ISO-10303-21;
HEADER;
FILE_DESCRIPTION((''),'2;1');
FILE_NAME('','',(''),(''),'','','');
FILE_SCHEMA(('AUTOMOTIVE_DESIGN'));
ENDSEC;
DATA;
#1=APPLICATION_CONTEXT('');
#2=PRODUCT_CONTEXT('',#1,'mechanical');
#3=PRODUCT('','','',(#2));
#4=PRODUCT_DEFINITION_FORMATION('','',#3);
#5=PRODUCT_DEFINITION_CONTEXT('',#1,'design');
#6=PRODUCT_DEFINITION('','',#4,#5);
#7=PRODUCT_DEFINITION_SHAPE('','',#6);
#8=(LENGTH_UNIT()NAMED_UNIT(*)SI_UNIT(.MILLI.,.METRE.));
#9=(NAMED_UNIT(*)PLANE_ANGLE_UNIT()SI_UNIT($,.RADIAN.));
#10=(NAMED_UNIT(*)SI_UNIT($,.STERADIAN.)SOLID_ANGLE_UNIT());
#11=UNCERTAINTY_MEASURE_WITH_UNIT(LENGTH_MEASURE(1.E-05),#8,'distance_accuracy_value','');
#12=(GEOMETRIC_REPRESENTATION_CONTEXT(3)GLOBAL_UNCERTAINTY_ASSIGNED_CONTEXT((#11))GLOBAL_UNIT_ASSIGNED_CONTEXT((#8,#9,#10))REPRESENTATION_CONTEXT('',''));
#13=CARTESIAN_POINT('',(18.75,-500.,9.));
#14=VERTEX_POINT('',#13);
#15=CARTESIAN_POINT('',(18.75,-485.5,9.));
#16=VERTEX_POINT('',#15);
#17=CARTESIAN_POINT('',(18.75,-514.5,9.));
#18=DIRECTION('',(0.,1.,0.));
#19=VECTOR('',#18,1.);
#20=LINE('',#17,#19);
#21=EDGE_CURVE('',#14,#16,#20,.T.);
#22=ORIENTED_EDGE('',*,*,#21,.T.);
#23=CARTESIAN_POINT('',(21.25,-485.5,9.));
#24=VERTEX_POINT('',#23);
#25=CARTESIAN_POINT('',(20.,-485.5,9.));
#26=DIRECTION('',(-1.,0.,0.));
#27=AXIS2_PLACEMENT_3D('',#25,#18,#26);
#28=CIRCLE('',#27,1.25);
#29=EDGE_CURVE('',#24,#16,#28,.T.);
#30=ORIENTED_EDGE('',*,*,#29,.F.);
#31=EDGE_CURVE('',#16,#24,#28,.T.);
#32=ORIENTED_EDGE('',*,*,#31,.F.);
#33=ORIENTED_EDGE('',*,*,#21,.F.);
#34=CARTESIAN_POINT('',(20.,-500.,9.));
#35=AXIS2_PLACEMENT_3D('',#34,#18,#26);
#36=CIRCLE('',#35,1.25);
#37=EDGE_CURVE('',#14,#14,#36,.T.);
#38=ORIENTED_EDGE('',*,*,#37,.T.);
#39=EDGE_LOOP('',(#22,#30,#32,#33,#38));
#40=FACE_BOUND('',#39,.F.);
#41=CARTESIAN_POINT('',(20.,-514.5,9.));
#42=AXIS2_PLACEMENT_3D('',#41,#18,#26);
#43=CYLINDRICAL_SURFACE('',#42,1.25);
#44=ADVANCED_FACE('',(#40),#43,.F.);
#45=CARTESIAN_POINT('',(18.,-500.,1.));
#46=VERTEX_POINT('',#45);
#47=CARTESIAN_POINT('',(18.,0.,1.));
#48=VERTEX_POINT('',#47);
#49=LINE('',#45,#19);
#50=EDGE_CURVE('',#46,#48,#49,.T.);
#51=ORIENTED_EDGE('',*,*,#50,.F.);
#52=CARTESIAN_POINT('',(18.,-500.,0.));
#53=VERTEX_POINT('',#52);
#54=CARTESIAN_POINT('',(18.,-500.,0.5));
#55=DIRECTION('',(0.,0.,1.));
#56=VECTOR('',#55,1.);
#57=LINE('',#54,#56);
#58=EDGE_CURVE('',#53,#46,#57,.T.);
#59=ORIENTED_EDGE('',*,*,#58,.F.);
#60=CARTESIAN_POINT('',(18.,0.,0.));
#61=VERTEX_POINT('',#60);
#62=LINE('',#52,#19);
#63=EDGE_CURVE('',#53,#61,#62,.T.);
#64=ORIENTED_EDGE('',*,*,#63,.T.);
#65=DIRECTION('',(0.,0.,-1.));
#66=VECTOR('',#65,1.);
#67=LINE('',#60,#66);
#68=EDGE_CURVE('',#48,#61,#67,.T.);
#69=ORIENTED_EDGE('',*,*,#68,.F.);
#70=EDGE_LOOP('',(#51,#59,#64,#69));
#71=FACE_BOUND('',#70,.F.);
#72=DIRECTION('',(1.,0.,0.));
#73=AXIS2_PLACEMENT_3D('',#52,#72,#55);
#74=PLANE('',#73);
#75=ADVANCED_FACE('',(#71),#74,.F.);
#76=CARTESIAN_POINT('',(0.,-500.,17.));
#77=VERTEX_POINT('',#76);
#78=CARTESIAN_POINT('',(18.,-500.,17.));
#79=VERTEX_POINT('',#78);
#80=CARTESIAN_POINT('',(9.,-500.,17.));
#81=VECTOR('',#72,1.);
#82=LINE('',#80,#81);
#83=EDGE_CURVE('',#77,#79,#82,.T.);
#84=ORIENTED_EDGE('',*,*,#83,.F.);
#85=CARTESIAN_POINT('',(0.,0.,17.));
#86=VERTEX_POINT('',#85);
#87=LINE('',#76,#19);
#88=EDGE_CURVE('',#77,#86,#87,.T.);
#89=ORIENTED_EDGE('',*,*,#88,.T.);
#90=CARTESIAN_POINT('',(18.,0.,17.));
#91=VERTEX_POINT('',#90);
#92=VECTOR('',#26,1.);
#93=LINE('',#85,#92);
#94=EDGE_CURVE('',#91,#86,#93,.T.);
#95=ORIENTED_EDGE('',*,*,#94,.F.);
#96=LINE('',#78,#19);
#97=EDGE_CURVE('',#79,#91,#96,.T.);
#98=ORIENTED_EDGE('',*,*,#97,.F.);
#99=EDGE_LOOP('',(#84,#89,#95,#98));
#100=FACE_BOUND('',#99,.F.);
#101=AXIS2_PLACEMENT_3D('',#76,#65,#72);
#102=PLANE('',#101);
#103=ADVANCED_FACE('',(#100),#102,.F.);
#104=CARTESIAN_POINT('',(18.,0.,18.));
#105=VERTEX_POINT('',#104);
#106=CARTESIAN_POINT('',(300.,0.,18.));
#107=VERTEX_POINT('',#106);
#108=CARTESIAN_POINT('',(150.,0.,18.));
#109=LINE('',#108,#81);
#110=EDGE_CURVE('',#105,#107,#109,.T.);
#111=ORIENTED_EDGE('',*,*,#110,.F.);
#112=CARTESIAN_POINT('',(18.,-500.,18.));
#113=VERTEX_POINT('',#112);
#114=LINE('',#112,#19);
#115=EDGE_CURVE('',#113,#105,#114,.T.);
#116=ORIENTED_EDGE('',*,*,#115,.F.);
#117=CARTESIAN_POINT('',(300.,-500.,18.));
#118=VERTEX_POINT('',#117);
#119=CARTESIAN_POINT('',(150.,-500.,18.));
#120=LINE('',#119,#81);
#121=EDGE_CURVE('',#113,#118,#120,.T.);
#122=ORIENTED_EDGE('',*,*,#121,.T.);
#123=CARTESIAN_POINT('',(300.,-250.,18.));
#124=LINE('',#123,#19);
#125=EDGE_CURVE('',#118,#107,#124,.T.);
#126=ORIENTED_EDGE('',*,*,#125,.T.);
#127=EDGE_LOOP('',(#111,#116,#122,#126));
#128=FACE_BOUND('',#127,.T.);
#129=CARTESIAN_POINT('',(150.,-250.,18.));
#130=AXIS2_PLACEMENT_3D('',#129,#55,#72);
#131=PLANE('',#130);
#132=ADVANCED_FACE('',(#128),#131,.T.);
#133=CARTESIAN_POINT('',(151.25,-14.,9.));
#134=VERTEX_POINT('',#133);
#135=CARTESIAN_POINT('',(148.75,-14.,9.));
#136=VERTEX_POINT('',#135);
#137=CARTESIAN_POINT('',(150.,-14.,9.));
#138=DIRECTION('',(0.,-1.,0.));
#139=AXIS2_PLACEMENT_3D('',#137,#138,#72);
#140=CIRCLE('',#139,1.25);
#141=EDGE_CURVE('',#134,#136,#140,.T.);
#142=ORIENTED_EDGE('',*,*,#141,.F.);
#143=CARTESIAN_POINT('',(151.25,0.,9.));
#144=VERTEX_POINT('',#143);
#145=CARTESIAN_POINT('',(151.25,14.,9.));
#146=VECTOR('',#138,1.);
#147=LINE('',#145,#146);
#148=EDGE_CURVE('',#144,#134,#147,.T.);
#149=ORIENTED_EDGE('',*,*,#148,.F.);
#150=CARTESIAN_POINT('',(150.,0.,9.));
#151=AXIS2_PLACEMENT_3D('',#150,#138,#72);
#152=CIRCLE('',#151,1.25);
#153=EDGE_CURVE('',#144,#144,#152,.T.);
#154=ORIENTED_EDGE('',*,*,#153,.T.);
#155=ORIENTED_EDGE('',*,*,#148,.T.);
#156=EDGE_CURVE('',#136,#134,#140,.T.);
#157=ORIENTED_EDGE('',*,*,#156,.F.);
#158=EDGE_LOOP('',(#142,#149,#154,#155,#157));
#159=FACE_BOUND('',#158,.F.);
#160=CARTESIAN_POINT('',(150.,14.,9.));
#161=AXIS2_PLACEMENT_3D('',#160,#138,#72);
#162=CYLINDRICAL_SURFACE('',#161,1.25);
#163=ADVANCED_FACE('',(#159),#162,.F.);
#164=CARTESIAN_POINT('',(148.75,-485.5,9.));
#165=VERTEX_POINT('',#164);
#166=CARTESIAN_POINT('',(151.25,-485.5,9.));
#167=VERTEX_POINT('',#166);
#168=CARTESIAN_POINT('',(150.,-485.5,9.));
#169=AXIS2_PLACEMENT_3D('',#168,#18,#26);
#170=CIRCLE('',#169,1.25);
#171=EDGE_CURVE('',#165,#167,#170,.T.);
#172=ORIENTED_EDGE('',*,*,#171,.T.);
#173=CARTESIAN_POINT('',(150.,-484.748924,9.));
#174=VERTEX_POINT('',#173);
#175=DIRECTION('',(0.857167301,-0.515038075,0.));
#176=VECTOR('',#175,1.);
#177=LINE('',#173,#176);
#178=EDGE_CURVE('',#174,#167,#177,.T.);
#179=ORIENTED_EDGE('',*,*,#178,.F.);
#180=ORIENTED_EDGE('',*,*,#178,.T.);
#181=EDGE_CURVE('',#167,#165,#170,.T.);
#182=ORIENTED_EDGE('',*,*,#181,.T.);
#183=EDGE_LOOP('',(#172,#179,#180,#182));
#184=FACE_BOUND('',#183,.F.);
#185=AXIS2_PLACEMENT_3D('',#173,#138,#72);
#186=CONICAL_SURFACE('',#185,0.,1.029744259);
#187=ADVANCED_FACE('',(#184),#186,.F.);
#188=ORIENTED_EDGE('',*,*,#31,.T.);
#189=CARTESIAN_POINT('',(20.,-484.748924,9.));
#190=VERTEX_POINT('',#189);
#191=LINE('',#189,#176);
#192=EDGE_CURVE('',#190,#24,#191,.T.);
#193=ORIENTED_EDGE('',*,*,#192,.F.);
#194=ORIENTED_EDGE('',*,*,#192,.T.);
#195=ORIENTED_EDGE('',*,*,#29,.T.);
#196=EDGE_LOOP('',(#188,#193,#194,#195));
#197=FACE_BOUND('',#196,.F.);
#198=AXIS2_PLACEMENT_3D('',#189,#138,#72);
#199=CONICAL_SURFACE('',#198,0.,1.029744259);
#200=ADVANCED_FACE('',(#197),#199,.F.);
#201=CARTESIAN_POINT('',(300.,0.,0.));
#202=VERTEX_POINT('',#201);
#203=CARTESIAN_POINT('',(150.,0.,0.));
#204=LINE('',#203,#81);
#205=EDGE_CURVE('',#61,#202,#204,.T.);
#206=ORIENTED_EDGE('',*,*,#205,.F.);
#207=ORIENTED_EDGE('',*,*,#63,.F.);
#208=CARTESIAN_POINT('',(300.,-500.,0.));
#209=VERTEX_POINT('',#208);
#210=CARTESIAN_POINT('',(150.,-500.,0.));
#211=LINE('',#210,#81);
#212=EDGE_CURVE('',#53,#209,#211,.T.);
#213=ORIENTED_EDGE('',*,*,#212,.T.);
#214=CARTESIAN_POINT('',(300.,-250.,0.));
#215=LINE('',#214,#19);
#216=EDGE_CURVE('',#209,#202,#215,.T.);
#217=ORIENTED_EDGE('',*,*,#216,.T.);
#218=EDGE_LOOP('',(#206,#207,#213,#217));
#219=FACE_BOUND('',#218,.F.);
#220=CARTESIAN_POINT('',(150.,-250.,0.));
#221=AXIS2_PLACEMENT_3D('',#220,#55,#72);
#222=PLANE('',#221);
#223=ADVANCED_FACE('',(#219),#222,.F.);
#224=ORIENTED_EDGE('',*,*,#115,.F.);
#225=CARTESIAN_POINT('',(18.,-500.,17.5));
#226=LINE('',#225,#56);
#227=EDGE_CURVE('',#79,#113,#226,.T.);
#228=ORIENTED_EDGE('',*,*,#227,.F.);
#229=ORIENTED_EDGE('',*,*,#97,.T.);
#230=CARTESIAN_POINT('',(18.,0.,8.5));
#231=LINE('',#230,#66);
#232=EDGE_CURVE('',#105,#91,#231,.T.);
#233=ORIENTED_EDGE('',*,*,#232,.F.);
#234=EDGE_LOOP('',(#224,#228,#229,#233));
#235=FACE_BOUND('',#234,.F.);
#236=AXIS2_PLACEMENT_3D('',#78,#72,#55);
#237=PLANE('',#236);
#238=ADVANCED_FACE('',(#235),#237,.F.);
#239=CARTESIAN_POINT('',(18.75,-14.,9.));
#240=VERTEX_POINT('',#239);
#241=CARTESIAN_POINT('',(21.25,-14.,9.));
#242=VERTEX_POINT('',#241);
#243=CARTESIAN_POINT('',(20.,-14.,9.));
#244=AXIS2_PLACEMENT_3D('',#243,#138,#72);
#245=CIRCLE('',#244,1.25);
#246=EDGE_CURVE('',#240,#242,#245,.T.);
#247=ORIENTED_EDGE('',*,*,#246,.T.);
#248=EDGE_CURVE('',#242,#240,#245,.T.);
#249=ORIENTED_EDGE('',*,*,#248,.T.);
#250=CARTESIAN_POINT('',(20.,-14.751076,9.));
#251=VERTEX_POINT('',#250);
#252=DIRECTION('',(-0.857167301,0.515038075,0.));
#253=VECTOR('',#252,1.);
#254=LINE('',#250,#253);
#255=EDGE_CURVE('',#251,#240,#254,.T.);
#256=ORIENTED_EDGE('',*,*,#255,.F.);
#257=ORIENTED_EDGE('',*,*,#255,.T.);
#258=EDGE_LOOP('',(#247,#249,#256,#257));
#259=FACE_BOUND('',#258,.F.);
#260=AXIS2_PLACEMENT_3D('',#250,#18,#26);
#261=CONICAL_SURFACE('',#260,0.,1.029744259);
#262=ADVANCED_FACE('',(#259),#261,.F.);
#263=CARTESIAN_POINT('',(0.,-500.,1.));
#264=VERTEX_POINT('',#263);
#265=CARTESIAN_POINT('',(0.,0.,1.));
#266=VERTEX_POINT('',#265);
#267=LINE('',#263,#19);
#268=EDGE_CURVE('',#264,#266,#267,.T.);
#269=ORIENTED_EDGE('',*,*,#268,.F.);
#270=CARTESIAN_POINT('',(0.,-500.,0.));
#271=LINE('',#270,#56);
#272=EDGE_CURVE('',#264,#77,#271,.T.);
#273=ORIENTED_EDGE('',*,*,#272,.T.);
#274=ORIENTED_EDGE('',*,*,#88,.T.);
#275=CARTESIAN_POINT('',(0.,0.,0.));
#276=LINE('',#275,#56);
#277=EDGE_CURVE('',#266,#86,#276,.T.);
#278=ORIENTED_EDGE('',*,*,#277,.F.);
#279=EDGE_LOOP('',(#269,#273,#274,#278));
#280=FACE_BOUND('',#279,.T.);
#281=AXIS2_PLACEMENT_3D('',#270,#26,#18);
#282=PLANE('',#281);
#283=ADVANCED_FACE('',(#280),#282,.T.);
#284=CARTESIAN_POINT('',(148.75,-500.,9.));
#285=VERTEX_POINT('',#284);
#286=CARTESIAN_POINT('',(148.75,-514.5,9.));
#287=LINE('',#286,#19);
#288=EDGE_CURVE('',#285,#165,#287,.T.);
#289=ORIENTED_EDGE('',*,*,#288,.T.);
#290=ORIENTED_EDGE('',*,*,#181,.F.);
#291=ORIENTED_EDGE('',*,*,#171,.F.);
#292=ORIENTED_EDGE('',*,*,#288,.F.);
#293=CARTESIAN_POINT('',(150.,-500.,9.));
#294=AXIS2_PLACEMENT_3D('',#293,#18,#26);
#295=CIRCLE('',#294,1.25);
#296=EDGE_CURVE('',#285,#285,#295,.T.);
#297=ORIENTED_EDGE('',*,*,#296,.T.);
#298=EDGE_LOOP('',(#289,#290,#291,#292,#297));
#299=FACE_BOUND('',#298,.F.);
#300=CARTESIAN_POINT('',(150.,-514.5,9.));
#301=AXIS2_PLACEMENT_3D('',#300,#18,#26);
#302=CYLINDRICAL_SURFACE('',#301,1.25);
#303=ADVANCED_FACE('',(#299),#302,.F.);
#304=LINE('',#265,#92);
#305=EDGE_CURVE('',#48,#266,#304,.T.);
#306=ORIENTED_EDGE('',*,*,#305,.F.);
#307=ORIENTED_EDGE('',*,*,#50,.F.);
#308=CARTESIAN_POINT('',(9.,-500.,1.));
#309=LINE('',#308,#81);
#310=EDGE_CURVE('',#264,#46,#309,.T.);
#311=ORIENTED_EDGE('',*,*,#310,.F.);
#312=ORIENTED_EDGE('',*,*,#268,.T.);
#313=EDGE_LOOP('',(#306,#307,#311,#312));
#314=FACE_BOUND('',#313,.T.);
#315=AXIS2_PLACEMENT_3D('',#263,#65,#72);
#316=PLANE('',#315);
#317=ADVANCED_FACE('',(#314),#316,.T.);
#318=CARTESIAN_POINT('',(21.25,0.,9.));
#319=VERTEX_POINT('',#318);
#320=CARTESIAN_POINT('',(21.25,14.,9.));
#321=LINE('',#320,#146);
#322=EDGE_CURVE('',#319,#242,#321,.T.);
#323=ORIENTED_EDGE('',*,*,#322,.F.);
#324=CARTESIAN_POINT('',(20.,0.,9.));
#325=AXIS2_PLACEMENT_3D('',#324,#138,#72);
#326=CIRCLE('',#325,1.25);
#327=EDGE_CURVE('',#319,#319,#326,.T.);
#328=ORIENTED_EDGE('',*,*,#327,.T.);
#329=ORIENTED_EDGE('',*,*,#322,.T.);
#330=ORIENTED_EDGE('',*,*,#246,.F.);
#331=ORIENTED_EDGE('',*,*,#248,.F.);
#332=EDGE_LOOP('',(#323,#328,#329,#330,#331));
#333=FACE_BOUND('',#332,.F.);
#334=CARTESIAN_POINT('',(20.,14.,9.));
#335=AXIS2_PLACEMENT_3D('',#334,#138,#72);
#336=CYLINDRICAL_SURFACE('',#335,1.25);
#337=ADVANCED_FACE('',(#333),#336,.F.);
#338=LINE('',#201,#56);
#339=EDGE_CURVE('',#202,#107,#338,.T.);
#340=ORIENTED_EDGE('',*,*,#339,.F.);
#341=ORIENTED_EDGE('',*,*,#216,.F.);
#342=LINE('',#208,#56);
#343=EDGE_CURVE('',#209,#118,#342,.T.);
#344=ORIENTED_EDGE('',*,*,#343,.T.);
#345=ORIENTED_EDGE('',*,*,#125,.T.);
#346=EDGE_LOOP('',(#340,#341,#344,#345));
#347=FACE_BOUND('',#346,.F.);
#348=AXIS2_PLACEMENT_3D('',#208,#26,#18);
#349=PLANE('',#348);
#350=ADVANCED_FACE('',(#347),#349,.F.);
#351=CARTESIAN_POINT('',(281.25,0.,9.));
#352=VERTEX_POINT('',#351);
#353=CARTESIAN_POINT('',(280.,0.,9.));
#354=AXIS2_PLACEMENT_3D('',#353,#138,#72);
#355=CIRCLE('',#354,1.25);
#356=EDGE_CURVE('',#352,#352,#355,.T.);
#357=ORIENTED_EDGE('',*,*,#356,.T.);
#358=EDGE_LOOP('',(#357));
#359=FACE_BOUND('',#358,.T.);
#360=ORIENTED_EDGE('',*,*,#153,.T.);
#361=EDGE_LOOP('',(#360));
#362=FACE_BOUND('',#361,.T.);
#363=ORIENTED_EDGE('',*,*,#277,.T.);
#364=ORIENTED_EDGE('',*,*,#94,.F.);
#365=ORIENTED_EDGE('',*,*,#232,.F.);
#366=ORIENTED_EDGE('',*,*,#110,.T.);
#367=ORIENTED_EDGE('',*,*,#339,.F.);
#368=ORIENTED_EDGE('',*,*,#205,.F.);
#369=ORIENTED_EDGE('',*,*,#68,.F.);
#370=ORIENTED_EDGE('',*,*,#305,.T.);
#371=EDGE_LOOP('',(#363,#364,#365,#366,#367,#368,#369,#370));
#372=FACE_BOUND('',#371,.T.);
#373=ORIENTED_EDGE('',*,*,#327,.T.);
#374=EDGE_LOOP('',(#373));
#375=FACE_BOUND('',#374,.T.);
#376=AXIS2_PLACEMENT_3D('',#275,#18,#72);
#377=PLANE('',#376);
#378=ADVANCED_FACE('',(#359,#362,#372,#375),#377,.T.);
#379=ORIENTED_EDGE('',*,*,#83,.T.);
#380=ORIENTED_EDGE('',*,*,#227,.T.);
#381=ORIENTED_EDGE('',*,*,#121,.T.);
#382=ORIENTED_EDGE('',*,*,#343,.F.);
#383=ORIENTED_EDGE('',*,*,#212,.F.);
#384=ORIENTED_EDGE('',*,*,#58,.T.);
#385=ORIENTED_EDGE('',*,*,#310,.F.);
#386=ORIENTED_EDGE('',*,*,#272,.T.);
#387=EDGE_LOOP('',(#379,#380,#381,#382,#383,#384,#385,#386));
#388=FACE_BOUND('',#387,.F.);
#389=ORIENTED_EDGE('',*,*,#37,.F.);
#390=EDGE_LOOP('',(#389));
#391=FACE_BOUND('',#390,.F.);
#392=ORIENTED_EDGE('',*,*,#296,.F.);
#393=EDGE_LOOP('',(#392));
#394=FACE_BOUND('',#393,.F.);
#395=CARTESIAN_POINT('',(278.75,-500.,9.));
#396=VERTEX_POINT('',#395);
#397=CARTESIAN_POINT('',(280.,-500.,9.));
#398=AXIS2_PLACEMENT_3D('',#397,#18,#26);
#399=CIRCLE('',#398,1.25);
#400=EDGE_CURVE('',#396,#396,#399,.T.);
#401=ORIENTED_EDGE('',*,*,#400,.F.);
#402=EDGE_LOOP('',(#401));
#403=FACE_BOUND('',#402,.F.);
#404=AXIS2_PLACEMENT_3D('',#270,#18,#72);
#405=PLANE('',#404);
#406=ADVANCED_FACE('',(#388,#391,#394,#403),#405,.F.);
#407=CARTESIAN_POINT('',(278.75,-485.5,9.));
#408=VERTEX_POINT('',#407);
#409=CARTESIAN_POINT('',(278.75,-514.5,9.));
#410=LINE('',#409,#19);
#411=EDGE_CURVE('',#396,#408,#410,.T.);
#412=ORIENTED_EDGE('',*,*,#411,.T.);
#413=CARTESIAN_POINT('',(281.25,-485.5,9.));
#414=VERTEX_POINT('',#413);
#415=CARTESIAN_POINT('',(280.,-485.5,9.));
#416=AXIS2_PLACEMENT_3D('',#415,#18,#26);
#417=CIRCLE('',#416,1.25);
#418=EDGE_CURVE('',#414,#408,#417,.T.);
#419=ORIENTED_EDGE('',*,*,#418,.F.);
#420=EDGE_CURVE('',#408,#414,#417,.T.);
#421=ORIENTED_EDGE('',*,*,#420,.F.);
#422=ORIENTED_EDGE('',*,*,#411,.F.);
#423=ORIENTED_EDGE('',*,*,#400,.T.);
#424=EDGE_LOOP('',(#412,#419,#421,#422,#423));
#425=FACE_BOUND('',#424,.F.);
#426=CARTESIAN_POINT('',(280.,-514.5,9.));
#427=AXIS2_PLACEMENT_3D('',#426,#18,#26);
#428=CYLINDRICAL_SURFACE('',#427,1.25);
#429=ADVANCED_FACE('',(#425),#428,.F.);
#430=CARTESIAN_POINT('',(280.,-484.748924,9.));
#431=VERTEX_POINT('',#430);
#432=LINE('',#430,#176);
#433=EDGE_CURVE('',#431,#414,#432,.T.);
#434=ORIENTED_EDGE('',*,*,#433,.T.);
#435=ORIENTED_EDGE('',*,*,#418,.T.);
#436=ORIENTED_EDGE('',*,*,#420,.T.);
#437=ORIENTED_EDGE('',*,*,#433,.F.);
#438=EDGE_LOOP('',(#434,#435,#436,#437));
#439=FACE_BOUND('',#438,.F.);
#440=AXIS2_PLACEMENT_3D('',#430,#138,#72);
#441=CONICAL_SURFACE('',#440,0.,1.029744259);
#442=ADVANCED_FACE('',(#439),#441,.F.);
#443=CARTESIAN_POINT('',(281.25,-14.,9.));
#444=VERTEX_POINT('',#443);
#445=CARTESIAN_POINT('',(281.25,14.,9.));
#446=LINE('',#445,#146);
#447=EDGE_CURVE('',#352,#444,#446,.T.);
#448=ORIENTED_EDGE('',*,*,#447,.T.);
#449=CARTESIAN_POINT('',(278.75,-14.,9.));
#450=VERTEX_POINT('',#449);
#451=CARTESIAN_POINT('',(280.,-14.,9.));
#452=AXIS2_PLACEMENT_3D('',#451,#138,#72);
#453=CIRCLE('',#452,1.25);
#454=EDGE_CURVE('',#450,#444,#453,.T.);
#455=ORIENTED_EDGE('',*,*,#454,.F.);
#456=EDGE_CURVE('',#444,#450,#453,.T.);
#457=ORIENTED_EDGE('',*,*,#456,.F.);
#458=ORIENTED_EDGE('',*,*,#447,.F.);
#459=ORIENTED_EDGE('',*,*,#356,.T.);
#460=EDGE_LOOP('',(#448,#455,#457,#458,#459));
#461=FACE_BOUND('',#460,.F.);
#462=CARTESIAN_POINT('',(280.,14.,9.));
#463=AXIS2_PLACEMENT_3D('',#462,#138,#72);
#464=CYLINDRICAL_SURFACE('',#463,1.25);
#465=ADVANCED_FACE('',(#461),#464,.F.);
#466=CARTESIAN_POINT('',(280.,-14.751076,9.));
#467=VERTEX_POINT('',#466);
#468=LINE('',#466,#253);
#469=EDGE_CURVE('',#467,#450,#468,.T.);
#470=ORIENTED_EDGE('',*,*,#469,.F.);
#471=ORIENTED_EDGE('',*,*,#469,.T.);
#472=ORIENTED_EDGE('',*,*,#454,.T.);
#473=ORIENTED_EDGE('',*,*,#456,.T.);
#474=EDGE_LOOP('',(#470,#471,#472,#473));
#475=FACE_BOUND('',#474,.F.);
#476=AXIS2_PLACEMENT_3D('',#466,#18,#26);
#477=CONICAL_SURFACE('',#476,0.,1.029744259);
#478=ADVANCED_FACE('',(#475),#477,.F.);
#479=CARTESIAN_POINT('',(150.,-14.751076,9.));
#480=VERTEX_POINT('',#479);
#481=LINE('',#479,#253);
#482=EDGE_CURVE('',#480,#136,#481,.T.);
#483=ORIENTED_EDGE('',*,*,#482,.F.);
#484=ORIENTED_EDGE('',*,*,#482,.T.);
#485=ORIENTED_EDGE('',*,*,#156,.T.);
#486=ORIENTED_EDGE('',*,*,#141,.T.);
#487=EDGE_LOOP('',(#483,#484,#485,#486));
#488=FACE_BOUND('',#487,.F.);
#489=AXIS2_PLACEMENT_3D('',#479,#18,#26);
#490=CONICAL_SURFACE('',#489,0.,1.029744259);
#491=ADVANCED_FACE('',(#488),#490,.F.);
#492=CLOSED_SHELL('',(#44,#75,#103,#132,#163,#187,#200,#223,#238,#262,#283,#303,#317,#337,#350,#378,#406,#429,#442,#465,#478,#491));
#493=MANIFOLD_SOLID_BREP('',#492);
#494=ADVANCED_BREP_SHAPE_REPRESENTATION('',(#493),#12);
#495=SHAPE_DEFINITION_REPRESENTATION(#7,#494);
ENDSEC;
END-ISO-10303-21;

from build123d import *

# Parameters (mm, degrees)
F0_W     = 300
F0_H     = 500
F1_DEPTH = 18
F3_D     = 2.5
F3_DEPTH = 14.5
F3_TIP   = 0.7510757738
F5_D     = 2.5
F5_DEPTH = 14
F5_TIP   = 0.7510757738
F6_W     = 18
F6_H     = 1
F7_DEPTH = 500.001


with BuildPart() as f1:
    # F0 (on Top) → F1 (new body)
    with BuildSketch(Plane.XY):
        with Locations((150, -250)):
            Rectangle(F0_W, F0_H)
    extrude(amount=F1_DEPTH)

    # F3
    with Locations(Plane.XZ.offset(500)):
        with Locations((20, 9), (150, 9), (280, 9)):
            Hole(F3_D / 2, depth=F3_DEPTH)
            with Locations((0, 0, -(F3_DEPTH + F3_TIP / 2))):  # 118° drill point
                Cone(0, F3_D / 2, F3_TIP, mode=Mode.SUBTRACT)

    # F5
    with Locations(Plane(origin=(0, 0, 0), x_dir=(-1, 0, 0), z_dir=(0, 1, 0))):
        with Locations((-280, 9), (-150, 9), (-20, 9)):
            Hole(F5_D / 2, depth=F5_DEPTH)
            with Locations((0, 0, -(F5_DEPTH + F5_TIP / 2))):  # 118° drill point
                Cone(0, F5_D / 2, F5_TIP, mode=Mode.SUBTRACT)

    # F6 (on face) → F7 (cut, through all)
    with BuildSketch(Plane.XZ.offset(500)):
        with Locations((9, 17.5)):
            Rectangle(F6_W, F6_H)
        with Locations((9, 0.5)):
            Rectangle(F6_W, F6_H)
    extrude(amount=-F7_DEPTH, mode=Mode.SUBTRACT)


solid = f1.part
